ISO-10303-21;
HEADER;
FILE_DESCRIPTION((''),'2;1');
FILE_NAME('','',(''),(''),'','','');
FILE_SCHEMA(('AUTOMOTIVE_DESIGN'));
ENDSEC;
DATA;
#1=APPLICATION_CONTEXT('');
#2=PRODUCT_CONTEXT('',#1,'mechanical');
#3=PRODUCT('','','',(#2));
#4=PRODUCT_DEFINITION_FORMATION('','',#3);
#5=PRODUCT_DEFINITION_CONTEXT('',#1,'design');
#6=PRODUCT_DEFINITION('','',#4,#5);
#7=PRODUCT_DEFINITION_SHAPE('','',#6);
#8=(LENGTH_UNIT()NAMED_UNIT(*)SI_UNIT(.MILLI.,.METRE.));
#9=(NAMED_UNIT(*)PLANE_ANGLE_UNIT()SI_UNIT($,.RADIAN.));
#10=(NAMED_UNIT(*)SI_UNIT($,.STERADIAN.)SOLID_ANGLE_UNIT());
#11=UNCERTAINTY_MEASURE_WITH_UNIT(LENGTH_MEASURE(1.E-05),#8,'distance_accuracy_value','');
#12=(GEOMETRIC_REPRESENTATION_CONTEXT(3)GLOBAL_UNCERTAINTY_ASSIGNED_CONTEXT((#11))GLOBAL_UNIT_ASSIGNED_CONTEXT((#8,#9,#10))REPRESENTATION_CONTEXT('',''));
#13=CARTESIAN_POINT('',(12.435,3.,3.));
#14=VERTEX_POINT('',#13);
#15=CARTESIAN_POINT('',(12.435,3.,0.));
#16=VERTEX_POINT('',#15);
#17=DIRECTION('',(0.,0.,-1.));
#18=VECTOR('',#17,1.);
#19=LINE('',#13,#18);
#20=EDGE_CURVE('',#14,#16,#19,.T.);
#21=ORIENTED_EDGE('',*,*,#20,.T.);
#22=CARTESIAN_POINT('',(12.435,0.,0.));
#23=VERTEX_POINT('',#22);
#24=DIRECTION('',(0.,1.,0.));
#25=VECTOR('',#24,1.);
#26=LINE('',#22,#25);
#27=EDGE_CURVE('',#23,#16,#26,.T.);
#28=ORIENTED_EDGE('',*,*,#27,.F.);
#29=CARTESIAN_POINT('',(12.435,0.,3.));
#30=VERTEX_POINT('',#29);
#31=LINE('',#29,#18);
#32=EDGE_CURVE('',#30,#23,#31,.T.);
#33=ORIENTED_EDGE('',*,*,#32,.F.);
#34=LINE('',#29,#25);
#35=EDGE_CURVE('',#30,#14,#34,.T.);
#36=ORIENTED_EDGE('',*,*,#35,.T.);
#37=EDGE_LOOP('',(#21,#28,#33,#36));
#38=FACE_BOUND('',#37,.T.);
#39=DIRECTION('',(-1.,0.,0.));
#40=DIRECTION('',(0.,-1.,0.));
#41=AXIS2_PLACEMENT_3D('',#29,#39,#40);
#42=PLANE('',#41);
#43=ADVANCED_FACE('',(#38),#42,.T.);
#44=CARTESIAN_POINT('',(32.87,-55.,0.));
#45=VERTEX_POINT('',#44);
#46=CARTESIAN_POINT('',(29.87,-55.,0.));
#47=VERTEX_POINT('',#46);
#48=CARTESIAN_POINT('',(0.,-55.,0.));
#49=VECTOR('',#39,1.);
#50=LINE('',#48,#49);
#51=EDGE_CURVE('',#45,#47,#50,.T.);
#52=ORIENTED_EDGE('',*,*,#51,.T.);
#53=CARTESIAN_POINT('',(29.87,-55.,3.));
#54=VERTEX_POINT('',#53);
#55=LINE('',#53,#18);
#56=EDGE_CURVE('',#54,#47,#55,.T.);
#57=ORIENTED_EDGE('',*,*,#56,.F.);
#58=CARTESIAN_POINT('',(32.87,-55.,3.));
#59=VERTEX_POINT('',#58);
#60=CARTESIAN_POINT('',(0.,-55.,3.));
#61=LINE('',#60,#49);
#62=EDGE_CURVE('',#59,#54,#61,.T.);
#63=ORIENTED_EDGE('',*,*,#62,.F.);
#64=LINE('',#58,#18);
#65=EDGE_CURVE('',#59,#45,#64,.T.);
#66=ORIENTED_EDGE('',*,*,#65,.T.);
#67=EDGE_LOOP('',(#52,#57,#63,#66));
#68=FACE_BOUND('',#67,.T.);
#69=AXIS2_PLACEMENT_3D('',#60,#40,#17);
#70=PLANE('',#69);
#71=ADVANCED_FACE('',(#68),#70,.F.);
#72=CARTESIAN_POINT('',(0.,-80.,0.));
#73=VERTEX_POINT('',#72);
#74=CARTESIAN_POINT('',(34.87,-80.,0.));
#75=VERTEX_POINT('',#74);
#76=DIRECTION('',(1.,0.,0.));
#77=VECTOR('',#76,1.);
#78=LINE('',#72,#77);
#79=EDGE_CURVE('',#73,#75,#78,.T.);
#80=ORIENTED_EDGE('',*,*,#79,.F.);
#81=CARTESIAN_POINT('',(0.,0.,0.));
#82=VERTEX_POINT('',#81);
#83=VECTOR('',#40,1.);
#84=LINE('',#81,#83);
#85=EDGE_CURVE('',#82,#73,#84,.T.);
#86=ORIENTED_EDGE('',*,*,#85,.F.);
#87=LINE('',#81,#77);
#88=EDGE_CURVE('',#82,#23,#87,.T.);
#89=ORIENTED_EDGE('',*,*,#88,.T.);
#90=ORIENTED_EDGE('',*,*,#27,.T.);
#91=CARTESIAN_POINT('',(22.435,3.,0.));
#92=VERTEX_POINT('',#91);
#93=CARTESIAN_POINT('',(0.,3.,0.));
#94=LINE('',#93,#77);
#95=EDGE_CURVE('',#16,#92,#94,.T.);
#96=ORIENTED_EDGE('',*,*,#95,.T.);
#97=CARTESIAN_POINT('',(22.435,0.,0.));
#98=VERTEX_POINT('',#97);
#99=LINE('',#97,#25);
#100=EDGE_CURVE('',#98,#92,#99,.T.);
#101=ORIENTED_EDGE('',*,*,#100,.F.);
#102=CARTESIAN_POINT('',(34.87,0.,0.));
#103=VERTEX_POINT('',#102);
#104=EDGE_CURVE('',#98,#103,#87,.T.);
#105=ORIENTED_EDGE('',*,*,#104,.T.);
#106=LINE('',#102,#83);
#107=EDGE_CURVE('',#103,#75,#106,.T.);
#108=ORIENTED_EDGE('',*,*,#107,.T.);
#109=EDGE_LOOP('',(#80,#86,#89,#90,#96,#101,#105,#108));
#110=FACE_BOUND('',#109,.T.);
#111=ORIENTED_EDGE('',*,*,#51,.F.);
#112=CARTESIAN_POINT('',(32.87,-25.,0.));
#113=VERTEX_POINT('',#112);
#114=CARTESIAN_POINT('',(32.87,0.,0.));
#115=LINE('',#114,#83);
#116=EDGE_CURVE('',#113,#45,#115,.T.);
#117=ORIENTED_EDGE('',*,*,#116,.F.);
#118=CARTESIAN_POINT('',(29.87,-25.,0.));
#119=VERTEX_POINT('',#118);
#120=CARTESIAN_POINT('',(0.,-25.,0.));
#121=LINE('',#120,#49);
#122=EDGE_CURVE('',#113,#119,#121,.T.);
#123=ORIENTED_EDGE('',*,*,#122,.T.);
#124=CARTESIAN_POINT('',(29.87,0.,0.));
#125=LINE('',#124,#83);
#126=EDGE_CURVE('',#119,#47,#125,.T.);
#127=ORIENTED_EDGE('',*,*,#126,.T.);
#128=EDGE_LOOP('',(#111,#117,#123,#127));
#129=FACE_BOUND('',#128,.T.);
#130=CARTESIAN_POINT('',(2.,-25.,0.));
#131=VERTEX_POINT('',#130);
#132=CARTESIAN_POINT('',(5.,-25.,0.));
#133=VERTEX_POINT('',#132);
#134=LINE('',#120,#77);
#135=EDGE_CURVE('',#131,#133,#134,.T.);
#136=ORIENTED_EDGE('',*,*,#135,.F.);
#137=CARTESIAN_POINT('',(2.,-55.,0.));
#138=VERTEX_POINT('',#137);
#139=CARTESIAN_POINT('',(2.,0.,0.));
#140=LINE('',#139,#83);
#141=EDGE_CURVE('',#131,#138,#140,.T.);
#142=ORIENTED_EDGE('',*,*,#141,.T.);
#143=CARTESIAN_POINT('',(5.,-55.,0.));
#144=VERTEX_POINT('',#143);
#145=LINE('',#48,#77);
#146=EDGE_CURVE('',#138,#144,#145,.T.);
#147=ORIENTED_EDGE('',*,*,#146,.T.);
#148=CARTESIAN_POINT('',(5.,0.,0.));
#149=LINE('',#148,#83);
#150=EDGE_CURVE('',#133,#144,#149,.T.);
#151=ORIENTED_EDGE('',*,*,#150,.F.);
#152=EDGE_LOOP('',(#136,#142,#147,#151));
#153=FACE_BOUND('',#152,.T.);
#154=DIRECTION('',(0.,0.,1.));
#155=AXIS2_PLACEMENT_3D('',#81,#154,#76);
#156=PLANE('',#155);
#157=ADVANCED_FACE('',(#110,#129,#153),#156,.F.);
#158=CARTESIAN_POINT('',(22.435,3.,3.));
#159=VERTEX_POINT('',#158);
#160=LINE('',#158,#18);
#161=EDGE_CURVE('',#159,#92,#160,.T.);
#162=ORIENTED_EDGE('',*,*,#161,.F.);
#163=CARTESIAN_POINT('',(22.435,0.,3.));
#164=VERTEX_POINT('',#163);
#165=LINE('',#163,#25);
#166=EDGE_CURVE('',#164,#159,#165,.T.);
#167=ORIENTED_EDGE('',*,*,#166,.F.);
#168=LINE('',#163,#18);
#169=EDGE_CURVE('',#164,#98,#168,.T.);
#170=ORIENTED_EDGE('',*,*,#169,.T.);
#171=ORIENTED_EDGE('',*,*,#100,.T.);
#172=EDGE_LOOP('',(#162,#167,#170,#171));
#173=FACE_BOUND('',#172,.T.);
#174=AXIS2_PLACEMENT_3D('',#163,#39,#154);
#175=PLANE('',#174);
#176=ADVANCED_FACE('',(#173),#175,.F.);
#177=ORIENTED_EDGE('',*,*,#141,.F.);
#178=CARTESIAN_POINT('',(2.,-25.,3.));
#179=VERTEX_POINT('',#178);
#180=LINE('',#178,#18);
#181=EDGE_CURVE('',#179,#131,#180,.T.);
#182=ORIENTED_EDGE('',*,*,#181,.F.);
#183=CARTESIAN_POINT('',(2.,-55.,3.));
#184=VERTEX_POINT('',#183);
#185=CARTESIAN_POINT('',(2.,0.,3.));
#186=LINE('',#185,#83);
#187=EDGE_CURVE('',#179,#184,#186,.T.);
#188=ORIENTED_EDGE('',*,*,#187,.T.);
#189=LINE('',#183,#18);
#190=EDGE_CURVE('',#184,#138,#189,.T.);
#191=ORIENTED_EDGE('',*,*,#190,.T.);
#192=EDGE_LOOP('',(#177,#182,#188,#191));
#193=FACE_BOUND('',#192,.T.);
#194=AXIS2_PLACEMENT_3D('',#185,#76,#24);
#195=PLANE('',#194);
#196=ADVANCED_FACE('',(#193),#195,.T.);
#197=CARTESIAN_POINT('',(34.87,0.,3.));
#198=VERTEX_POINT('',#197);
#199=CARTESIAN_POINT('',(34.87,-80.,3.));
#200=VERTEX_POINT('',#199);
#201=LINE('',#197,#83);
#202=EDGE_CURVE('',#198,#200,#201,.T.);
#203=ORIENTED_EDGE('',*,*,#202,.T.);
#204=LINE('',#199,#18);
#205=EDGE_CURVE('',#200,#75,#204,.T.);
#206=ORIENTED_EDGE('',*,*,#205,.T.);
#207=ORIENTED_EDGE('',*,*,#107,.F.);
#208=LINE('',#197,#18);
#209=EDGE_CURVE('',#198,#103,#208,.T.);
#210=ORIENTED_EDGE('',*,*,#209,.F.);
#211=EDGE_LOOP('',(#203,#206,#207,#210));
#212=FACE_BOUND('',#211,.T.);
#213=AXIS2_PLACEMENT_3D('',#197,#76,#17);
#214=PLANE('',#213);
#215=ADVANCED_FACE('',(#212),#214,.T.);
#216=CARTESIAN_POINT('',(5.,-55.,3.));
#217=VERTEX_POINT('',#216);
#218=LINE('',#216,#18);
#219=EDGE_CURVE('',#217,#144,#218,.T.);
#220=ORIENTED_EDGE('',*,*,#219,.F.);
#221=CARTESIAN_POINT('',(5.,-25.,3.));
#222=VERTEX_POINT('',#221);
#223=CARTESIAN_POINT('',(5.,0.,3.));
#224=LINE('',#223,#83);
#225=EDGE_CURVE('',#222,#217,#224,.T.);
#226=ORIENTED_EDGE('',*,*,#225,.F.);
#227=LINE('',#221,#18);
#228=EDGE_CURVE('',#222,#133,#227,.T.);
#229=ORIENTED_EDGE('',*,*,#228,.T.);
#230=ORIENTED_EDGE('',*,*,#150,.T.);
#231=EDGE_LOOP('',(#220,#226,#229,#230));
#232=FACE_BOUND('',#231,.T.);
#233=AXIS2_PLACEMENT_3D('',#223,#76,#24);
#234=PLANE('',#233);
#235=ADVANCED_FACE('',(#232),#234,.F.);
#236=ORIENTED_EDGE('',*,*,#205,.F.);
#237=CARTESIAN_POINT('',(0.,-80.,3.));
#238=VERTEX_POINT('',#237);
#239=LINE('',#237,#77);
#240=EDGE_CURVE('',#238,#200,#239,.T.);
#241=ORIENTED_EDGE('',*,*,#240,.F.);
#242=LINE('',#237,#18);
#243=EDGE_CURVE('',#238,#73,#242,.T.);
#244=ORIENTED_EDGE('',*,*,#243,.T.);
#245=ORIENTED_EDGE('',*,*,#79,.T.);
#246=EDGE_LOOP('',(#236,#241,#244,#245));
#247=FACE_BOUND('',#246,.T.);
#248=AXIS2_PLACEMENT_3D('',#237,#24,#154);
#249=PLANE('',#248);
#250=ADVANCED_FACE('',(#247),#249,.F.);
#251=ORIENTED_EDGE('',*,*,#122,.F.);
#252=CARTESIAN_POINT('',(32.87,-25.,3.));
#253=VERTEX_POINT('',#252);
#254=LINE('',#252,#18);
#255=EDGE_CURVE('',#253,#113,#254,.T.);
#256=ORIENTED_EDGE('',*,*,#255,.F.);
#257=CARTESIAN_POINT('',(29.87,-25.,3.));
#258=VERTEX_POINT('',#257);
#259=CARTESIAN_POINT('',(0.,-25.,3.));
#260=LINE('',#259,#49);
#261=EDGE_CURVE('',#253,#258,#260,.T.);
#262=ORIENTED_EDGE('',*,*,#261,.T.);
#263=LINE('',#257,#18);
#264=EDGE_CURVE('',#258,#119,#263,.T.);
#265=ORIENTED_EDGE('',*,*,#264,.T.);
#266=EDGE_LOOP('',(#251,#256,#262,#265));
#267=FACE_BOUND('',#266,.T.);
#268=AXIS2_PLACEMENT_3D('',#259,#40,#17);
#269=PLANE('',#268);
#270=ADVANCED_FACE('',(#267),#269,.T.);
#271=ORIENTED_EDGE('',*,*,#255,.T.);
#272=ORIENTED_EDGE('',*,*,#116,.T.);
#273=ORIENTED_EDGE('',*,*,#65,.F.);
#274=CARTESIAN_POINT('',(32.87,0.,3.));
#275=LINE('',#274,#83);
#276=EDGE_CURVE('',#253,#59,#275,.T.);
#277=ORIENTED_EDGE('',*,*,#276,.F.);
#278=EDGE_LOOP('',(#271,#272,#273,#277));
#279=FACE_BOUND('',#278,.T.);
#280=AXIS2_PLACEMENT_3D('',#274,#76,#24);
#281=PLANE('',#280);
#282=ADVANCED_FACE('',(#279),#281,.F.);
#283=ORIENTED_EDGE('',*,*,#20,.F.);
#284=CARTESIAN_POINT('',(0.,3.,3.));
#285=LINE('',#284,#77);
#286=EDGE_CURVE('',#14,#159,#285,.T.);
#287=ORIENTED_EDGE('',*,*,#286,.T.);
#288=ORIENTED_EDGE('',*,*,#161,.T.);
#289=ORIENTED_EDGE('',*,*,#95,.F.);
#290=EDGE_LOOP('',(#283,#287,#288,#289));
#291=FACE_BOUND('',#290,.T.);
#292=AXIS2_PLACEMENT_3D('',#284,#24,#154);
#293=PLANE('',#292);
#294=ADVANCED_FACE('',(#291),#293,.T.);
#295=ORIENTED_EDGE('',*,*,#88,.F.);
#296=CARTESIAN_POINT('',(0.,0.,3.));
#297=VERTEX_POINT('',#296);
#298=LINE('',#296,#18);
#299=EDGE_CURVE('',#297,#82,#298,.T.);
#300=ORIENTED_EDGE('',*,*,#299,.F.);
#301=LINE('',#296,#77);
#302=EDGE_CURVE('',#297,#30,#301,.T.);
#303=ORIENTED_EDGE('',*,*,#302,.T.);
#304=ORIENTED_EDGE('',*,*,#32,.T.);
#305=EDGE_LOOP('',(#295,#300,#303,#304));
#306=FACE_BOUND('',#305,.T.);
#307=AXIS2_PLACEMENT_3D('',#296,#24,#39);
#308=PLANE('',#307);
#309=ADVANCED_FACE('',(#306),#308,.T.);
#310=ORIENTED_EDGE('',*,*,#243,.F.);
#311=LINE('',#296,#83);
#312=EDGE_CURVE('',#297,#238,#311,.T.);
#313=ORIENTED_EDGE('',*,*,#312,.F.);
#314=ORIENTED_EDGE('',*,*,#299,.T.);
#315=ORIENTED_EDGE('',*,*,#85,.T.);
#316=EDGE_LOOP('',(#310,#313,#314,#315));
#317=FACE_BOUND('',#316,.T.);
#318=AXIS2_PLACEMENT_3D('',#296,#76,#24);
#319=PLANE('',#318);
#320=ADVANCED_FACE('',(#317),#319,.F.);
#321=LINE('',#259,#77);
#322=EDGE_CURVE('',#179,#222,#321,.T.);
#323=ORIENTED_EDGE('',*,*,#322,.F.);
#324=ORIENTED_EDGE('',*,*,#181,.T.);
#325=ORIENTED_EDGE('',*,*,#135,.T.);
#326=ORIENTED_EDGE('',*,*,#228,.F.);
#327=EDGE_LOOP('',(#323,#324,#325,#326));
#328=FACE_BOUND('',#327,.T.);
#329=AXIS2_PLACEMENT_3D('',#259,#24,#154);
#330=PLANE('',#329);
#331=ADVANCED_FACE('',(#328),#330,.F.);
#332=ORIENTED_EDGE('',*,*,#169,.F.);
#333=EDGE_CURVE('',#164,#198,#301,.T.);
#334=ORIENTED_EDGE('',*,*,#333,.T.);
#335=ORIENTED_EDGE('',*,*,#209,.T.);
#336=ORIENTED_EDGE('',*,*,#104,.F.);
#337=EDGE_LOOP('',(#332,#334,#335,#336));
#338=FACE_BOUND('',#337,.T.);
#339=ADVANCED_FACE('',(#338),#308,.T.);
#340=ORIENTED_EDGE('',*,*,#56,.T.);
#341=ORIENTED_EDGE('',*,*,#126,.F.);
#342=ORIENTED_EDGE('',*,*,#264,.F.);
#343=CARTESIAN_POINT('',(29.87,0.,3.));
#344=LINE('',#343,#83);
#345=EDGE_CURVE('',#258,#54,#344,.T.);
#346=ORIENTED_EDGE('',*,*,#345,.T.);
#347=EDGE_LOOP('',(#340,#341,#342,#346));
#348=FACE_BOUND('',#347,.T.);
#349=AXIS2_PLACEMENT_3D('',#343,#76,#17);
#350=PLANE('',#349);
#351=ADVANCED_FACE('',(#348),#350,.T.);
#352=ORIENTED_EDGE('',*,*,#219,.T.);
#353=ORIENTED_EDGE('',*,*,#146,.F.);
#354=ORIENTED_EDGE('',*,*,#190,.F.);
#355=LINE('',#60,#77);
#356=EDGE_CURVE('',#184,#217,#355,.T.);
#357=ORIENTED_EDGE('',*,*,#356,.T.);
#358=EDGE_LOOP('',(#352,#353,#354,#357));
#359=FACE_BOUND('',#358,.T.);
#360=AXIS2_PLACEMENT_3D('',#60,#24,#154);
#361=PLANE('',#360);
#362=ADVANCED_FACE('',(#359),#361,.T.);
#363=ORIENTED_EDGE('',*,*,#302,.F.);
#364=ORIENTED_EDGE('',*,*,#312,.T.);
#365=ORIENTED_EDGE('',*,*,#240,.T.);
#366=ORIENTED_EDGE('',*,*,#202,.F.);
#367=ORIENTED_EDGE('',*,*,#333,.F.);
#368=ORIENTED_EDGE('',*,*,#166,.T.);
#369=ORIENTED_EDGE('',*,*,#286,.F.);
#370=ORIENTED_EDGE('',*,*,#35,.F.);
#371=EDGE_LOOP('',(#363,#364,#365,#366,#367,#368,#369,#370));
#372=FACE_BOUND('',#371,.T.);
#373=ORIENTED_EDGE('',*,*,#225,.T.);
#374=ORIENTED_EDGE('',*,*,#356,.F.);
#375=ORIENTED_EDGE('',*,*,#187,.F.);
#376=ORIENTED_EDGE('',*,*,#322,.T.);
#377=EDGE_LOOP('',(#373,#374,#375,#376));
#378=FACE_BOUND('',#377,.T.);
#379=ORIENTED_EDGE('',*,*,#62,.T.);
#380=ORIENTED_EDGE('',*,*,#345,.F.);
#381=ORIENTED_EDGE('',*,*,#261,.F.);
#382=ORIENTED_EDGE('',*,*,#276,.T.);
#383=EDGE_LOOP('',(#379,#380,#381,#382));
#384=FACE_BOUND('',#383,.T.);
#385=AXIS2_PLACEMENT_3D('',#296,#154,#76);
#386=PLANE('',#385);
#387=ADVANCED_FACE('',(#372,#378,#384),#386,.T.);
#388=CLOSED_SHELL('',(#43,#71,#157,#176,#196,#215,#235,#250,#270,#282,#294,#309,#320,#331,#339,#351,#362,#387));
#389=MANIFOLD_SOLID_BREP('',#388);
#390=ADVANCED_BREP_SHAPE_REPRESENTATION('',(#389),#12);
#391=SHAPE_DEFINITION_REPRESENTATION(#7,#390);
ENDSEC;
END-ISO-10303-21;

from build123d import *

# Parameters (mm, degrees)
EXTRUDE_1_DEPTH = 3


with BuildPart() as part:
    # 草图1 → 凸台-拉伸1 (new body)
    with BuildSketch(Plane.XY):
        Polygon((0, 0), (0, -40), (2, -40), (2, -25), (5, -25), (5, -40), (17.435, -40), (17.435, 0), (12.435, 0), align=None)
        Polygon((2, -40), (0, -40), (0, -80), (17.435, -80), (17.435, -40), (5, -40), (5, -55), (2, -55), align=None)
        Polygon((17.435, -40), (17.435, -80), (34.87, -80), (34.87, -40), (32.87, -40), (32.87, -55), (29.87, -55), (29.87, -40), align=None)
        Polygon((17.435, 0), (17.435, -40), (29.87, -40), (29.87, -25), (32.87, -25), (32.87, -40), (34.87, -40), (34.87, 0), (22.435, 0), align=None)
        Polygon((12.435, 3), (12.435, 0), (17.435, 0), (22.435, 0), (22.435, 3), align=None)
    extrude(amount=EXTRUDE_1_DEPTH)


solid = part.part
